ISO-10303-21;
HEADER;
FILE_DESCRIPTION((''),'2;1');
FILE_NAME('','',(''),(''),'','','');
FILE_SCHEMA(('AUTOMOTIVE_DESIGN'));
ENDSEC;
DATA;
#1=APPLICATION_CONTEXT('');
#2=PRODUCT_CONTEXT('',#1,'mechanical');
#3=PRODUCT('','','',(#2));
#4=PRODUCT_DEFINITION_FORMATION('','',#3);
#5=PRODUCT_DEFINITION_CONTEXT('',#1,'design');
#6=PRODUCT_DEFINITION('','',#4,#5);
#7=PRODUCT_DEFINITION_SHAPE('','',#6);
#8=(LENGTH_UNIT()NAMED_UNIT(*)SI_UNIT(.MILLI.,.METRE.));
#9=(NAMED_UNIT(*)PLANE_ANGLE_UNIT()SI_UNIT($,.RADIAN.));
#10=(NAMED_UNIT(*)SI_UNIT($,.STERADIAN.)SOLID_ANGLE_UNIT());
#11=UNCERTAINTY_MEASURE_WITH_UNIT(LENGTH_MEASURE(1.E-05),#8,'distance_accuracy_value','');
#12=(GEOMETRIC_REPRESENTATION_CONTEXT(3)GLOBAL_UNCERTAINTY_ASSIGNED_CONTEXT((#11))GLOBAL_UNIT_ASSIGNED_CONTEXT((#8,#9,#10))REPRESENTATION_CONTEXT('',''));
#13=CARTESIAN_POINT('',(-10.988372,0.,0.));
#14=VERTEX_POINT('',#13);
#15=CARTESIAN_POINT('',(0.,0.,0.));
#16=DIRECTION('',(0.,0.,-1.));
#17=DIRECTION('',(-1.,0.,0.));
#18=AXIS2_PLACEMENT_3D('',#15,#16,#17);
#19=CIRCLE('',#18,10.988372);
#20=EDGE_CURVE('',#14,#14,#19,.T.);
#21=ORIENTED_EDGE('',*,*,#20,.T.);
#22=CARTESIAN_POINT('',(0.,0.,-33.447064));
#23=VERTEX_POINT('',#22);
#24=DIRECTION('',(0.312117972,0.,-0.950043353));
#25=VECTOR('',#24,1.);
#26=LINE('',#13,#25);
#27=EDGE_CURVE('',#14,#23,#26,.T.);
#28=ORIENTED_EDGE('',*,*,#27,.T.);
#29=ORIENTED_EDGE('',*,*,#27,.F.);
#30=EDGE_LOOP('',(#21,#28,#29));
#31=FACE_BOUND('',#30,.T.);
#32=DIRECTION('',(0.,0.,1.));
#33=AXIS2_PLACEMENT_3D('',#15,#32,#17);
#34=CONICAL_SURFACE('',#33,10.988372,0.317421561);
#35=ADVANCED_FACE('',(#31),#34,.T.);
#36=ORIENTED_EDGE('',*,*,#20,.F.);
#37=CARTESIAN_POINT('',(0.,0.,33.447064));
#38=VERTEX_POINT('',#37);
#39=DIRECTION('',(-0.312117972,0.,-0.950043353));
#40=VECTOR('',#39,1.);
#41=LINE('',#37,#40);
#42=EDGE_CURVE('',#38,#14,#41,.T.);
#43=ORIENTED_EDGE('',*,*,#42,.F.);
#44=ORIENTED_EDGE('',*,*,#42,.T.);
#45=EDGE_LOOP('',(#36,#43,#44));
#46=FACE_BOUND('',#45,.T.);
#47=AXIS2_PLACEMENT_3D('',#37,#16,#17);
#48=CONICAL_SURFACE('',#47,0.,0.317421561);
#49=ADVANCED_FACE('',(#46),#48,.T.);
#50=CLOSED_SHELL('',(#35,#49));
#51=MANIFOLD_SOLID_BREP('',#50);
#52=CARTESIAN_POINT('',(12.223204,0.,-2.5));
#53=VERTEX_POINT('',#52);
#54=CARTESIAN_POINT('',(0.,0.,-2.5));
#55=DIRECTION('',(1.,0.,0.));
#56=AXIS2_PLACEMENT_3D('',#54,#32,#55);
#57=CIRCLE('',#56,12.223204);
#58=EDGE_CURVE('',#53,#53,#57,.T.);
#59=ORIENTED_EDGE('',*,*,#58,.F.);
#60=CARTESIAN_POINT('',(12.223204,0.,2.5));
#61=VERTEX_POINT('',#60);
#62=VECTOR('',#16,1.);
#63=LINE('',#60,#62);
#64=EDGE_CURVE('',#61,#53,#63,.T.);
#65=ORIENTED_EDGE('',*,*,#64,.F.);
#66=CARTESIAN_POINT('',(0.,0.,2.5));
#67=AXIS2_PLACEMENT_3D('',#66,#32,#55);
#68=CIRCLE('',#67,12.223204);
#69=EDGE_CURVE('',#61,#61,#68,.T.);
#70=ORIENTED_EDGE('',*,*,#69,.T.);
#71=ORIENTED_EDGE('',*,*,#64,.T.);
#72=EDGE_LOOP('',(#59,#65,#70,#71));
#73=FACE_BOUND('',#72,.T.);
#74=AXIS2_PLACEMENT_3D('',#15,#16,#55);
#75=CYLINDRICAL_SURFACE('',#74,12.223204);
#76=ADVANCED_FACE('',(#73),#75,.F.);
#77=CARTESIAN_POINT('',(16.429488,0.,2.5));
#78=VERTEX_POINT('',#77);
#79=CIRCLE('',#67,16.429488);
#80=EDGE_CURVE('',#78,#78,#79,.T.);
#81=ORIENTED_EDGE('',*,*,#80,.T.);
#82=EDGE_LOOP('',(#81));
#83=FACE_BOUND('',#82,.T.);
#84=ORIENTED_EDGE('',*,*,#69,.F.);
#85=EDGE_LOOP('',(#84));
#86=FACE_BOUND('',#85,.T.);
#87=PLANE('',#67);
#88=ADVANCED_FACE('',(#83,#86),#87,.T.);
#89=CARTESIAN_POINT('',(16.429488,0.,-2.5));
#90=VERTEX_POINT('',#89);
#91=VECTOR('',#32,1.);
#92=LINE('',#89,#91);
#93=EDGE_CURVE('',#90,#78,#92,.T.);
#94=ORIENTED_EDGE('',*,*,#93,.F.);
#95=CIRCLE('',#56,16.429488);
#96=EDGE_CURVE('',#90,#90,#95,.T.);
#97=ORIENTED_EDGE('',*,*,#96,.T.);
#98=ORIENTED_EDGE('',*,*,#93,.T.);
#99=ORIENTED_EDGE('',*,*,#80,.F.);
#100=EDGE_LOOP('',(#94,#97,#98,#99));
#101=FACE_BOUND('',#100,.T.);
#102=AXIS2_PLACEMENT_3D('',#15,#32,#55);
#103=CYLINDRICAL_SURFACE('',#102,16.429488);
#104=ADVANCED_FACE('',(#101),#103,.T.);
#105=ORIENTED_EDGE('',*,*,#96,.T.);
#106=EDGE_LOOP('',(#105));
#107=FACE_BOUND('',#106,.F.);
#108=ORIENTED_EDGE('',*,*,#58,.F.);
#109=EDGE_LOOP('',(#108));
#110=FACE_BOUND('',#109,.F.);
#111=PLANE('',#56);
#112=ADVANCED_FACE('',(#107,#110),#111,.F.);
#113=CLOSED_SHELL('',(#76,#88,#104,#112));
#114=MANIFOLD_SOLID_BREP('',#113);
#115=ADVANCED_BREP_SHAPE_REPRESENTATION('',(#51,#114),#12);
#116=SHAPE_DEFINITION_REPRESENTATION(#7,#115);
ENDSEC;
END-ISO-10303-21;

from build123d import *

# Parameters (mm, degrees)
F0_R     = 16.429488
F0_R_2   = 12.223204
F1_DEPTH = 2.5


with BuildPart() as f1:
    # F0 (on Top) → F1 (new body, symmetric)
    with BuildSketch(Plane.XY):
        Circle(F0_R)
        Circle(F0_R_2, mode=Mode.SUBTRACT)
    extrude(amount=F1_DEPTH, both=True)


with BuildPart() as f3:
    # F2 (on Front) → F3 (revolve)
    with BuildSketch(Plane.XZ):
        Polygon((0, -33.447064), (0, 33.447064), (-10.988372, 0), align=None)
    revolve(axis=Axis((0, 0, 0), (0, 0, -1)))


solid = Compound([f1.part, f3.part])
